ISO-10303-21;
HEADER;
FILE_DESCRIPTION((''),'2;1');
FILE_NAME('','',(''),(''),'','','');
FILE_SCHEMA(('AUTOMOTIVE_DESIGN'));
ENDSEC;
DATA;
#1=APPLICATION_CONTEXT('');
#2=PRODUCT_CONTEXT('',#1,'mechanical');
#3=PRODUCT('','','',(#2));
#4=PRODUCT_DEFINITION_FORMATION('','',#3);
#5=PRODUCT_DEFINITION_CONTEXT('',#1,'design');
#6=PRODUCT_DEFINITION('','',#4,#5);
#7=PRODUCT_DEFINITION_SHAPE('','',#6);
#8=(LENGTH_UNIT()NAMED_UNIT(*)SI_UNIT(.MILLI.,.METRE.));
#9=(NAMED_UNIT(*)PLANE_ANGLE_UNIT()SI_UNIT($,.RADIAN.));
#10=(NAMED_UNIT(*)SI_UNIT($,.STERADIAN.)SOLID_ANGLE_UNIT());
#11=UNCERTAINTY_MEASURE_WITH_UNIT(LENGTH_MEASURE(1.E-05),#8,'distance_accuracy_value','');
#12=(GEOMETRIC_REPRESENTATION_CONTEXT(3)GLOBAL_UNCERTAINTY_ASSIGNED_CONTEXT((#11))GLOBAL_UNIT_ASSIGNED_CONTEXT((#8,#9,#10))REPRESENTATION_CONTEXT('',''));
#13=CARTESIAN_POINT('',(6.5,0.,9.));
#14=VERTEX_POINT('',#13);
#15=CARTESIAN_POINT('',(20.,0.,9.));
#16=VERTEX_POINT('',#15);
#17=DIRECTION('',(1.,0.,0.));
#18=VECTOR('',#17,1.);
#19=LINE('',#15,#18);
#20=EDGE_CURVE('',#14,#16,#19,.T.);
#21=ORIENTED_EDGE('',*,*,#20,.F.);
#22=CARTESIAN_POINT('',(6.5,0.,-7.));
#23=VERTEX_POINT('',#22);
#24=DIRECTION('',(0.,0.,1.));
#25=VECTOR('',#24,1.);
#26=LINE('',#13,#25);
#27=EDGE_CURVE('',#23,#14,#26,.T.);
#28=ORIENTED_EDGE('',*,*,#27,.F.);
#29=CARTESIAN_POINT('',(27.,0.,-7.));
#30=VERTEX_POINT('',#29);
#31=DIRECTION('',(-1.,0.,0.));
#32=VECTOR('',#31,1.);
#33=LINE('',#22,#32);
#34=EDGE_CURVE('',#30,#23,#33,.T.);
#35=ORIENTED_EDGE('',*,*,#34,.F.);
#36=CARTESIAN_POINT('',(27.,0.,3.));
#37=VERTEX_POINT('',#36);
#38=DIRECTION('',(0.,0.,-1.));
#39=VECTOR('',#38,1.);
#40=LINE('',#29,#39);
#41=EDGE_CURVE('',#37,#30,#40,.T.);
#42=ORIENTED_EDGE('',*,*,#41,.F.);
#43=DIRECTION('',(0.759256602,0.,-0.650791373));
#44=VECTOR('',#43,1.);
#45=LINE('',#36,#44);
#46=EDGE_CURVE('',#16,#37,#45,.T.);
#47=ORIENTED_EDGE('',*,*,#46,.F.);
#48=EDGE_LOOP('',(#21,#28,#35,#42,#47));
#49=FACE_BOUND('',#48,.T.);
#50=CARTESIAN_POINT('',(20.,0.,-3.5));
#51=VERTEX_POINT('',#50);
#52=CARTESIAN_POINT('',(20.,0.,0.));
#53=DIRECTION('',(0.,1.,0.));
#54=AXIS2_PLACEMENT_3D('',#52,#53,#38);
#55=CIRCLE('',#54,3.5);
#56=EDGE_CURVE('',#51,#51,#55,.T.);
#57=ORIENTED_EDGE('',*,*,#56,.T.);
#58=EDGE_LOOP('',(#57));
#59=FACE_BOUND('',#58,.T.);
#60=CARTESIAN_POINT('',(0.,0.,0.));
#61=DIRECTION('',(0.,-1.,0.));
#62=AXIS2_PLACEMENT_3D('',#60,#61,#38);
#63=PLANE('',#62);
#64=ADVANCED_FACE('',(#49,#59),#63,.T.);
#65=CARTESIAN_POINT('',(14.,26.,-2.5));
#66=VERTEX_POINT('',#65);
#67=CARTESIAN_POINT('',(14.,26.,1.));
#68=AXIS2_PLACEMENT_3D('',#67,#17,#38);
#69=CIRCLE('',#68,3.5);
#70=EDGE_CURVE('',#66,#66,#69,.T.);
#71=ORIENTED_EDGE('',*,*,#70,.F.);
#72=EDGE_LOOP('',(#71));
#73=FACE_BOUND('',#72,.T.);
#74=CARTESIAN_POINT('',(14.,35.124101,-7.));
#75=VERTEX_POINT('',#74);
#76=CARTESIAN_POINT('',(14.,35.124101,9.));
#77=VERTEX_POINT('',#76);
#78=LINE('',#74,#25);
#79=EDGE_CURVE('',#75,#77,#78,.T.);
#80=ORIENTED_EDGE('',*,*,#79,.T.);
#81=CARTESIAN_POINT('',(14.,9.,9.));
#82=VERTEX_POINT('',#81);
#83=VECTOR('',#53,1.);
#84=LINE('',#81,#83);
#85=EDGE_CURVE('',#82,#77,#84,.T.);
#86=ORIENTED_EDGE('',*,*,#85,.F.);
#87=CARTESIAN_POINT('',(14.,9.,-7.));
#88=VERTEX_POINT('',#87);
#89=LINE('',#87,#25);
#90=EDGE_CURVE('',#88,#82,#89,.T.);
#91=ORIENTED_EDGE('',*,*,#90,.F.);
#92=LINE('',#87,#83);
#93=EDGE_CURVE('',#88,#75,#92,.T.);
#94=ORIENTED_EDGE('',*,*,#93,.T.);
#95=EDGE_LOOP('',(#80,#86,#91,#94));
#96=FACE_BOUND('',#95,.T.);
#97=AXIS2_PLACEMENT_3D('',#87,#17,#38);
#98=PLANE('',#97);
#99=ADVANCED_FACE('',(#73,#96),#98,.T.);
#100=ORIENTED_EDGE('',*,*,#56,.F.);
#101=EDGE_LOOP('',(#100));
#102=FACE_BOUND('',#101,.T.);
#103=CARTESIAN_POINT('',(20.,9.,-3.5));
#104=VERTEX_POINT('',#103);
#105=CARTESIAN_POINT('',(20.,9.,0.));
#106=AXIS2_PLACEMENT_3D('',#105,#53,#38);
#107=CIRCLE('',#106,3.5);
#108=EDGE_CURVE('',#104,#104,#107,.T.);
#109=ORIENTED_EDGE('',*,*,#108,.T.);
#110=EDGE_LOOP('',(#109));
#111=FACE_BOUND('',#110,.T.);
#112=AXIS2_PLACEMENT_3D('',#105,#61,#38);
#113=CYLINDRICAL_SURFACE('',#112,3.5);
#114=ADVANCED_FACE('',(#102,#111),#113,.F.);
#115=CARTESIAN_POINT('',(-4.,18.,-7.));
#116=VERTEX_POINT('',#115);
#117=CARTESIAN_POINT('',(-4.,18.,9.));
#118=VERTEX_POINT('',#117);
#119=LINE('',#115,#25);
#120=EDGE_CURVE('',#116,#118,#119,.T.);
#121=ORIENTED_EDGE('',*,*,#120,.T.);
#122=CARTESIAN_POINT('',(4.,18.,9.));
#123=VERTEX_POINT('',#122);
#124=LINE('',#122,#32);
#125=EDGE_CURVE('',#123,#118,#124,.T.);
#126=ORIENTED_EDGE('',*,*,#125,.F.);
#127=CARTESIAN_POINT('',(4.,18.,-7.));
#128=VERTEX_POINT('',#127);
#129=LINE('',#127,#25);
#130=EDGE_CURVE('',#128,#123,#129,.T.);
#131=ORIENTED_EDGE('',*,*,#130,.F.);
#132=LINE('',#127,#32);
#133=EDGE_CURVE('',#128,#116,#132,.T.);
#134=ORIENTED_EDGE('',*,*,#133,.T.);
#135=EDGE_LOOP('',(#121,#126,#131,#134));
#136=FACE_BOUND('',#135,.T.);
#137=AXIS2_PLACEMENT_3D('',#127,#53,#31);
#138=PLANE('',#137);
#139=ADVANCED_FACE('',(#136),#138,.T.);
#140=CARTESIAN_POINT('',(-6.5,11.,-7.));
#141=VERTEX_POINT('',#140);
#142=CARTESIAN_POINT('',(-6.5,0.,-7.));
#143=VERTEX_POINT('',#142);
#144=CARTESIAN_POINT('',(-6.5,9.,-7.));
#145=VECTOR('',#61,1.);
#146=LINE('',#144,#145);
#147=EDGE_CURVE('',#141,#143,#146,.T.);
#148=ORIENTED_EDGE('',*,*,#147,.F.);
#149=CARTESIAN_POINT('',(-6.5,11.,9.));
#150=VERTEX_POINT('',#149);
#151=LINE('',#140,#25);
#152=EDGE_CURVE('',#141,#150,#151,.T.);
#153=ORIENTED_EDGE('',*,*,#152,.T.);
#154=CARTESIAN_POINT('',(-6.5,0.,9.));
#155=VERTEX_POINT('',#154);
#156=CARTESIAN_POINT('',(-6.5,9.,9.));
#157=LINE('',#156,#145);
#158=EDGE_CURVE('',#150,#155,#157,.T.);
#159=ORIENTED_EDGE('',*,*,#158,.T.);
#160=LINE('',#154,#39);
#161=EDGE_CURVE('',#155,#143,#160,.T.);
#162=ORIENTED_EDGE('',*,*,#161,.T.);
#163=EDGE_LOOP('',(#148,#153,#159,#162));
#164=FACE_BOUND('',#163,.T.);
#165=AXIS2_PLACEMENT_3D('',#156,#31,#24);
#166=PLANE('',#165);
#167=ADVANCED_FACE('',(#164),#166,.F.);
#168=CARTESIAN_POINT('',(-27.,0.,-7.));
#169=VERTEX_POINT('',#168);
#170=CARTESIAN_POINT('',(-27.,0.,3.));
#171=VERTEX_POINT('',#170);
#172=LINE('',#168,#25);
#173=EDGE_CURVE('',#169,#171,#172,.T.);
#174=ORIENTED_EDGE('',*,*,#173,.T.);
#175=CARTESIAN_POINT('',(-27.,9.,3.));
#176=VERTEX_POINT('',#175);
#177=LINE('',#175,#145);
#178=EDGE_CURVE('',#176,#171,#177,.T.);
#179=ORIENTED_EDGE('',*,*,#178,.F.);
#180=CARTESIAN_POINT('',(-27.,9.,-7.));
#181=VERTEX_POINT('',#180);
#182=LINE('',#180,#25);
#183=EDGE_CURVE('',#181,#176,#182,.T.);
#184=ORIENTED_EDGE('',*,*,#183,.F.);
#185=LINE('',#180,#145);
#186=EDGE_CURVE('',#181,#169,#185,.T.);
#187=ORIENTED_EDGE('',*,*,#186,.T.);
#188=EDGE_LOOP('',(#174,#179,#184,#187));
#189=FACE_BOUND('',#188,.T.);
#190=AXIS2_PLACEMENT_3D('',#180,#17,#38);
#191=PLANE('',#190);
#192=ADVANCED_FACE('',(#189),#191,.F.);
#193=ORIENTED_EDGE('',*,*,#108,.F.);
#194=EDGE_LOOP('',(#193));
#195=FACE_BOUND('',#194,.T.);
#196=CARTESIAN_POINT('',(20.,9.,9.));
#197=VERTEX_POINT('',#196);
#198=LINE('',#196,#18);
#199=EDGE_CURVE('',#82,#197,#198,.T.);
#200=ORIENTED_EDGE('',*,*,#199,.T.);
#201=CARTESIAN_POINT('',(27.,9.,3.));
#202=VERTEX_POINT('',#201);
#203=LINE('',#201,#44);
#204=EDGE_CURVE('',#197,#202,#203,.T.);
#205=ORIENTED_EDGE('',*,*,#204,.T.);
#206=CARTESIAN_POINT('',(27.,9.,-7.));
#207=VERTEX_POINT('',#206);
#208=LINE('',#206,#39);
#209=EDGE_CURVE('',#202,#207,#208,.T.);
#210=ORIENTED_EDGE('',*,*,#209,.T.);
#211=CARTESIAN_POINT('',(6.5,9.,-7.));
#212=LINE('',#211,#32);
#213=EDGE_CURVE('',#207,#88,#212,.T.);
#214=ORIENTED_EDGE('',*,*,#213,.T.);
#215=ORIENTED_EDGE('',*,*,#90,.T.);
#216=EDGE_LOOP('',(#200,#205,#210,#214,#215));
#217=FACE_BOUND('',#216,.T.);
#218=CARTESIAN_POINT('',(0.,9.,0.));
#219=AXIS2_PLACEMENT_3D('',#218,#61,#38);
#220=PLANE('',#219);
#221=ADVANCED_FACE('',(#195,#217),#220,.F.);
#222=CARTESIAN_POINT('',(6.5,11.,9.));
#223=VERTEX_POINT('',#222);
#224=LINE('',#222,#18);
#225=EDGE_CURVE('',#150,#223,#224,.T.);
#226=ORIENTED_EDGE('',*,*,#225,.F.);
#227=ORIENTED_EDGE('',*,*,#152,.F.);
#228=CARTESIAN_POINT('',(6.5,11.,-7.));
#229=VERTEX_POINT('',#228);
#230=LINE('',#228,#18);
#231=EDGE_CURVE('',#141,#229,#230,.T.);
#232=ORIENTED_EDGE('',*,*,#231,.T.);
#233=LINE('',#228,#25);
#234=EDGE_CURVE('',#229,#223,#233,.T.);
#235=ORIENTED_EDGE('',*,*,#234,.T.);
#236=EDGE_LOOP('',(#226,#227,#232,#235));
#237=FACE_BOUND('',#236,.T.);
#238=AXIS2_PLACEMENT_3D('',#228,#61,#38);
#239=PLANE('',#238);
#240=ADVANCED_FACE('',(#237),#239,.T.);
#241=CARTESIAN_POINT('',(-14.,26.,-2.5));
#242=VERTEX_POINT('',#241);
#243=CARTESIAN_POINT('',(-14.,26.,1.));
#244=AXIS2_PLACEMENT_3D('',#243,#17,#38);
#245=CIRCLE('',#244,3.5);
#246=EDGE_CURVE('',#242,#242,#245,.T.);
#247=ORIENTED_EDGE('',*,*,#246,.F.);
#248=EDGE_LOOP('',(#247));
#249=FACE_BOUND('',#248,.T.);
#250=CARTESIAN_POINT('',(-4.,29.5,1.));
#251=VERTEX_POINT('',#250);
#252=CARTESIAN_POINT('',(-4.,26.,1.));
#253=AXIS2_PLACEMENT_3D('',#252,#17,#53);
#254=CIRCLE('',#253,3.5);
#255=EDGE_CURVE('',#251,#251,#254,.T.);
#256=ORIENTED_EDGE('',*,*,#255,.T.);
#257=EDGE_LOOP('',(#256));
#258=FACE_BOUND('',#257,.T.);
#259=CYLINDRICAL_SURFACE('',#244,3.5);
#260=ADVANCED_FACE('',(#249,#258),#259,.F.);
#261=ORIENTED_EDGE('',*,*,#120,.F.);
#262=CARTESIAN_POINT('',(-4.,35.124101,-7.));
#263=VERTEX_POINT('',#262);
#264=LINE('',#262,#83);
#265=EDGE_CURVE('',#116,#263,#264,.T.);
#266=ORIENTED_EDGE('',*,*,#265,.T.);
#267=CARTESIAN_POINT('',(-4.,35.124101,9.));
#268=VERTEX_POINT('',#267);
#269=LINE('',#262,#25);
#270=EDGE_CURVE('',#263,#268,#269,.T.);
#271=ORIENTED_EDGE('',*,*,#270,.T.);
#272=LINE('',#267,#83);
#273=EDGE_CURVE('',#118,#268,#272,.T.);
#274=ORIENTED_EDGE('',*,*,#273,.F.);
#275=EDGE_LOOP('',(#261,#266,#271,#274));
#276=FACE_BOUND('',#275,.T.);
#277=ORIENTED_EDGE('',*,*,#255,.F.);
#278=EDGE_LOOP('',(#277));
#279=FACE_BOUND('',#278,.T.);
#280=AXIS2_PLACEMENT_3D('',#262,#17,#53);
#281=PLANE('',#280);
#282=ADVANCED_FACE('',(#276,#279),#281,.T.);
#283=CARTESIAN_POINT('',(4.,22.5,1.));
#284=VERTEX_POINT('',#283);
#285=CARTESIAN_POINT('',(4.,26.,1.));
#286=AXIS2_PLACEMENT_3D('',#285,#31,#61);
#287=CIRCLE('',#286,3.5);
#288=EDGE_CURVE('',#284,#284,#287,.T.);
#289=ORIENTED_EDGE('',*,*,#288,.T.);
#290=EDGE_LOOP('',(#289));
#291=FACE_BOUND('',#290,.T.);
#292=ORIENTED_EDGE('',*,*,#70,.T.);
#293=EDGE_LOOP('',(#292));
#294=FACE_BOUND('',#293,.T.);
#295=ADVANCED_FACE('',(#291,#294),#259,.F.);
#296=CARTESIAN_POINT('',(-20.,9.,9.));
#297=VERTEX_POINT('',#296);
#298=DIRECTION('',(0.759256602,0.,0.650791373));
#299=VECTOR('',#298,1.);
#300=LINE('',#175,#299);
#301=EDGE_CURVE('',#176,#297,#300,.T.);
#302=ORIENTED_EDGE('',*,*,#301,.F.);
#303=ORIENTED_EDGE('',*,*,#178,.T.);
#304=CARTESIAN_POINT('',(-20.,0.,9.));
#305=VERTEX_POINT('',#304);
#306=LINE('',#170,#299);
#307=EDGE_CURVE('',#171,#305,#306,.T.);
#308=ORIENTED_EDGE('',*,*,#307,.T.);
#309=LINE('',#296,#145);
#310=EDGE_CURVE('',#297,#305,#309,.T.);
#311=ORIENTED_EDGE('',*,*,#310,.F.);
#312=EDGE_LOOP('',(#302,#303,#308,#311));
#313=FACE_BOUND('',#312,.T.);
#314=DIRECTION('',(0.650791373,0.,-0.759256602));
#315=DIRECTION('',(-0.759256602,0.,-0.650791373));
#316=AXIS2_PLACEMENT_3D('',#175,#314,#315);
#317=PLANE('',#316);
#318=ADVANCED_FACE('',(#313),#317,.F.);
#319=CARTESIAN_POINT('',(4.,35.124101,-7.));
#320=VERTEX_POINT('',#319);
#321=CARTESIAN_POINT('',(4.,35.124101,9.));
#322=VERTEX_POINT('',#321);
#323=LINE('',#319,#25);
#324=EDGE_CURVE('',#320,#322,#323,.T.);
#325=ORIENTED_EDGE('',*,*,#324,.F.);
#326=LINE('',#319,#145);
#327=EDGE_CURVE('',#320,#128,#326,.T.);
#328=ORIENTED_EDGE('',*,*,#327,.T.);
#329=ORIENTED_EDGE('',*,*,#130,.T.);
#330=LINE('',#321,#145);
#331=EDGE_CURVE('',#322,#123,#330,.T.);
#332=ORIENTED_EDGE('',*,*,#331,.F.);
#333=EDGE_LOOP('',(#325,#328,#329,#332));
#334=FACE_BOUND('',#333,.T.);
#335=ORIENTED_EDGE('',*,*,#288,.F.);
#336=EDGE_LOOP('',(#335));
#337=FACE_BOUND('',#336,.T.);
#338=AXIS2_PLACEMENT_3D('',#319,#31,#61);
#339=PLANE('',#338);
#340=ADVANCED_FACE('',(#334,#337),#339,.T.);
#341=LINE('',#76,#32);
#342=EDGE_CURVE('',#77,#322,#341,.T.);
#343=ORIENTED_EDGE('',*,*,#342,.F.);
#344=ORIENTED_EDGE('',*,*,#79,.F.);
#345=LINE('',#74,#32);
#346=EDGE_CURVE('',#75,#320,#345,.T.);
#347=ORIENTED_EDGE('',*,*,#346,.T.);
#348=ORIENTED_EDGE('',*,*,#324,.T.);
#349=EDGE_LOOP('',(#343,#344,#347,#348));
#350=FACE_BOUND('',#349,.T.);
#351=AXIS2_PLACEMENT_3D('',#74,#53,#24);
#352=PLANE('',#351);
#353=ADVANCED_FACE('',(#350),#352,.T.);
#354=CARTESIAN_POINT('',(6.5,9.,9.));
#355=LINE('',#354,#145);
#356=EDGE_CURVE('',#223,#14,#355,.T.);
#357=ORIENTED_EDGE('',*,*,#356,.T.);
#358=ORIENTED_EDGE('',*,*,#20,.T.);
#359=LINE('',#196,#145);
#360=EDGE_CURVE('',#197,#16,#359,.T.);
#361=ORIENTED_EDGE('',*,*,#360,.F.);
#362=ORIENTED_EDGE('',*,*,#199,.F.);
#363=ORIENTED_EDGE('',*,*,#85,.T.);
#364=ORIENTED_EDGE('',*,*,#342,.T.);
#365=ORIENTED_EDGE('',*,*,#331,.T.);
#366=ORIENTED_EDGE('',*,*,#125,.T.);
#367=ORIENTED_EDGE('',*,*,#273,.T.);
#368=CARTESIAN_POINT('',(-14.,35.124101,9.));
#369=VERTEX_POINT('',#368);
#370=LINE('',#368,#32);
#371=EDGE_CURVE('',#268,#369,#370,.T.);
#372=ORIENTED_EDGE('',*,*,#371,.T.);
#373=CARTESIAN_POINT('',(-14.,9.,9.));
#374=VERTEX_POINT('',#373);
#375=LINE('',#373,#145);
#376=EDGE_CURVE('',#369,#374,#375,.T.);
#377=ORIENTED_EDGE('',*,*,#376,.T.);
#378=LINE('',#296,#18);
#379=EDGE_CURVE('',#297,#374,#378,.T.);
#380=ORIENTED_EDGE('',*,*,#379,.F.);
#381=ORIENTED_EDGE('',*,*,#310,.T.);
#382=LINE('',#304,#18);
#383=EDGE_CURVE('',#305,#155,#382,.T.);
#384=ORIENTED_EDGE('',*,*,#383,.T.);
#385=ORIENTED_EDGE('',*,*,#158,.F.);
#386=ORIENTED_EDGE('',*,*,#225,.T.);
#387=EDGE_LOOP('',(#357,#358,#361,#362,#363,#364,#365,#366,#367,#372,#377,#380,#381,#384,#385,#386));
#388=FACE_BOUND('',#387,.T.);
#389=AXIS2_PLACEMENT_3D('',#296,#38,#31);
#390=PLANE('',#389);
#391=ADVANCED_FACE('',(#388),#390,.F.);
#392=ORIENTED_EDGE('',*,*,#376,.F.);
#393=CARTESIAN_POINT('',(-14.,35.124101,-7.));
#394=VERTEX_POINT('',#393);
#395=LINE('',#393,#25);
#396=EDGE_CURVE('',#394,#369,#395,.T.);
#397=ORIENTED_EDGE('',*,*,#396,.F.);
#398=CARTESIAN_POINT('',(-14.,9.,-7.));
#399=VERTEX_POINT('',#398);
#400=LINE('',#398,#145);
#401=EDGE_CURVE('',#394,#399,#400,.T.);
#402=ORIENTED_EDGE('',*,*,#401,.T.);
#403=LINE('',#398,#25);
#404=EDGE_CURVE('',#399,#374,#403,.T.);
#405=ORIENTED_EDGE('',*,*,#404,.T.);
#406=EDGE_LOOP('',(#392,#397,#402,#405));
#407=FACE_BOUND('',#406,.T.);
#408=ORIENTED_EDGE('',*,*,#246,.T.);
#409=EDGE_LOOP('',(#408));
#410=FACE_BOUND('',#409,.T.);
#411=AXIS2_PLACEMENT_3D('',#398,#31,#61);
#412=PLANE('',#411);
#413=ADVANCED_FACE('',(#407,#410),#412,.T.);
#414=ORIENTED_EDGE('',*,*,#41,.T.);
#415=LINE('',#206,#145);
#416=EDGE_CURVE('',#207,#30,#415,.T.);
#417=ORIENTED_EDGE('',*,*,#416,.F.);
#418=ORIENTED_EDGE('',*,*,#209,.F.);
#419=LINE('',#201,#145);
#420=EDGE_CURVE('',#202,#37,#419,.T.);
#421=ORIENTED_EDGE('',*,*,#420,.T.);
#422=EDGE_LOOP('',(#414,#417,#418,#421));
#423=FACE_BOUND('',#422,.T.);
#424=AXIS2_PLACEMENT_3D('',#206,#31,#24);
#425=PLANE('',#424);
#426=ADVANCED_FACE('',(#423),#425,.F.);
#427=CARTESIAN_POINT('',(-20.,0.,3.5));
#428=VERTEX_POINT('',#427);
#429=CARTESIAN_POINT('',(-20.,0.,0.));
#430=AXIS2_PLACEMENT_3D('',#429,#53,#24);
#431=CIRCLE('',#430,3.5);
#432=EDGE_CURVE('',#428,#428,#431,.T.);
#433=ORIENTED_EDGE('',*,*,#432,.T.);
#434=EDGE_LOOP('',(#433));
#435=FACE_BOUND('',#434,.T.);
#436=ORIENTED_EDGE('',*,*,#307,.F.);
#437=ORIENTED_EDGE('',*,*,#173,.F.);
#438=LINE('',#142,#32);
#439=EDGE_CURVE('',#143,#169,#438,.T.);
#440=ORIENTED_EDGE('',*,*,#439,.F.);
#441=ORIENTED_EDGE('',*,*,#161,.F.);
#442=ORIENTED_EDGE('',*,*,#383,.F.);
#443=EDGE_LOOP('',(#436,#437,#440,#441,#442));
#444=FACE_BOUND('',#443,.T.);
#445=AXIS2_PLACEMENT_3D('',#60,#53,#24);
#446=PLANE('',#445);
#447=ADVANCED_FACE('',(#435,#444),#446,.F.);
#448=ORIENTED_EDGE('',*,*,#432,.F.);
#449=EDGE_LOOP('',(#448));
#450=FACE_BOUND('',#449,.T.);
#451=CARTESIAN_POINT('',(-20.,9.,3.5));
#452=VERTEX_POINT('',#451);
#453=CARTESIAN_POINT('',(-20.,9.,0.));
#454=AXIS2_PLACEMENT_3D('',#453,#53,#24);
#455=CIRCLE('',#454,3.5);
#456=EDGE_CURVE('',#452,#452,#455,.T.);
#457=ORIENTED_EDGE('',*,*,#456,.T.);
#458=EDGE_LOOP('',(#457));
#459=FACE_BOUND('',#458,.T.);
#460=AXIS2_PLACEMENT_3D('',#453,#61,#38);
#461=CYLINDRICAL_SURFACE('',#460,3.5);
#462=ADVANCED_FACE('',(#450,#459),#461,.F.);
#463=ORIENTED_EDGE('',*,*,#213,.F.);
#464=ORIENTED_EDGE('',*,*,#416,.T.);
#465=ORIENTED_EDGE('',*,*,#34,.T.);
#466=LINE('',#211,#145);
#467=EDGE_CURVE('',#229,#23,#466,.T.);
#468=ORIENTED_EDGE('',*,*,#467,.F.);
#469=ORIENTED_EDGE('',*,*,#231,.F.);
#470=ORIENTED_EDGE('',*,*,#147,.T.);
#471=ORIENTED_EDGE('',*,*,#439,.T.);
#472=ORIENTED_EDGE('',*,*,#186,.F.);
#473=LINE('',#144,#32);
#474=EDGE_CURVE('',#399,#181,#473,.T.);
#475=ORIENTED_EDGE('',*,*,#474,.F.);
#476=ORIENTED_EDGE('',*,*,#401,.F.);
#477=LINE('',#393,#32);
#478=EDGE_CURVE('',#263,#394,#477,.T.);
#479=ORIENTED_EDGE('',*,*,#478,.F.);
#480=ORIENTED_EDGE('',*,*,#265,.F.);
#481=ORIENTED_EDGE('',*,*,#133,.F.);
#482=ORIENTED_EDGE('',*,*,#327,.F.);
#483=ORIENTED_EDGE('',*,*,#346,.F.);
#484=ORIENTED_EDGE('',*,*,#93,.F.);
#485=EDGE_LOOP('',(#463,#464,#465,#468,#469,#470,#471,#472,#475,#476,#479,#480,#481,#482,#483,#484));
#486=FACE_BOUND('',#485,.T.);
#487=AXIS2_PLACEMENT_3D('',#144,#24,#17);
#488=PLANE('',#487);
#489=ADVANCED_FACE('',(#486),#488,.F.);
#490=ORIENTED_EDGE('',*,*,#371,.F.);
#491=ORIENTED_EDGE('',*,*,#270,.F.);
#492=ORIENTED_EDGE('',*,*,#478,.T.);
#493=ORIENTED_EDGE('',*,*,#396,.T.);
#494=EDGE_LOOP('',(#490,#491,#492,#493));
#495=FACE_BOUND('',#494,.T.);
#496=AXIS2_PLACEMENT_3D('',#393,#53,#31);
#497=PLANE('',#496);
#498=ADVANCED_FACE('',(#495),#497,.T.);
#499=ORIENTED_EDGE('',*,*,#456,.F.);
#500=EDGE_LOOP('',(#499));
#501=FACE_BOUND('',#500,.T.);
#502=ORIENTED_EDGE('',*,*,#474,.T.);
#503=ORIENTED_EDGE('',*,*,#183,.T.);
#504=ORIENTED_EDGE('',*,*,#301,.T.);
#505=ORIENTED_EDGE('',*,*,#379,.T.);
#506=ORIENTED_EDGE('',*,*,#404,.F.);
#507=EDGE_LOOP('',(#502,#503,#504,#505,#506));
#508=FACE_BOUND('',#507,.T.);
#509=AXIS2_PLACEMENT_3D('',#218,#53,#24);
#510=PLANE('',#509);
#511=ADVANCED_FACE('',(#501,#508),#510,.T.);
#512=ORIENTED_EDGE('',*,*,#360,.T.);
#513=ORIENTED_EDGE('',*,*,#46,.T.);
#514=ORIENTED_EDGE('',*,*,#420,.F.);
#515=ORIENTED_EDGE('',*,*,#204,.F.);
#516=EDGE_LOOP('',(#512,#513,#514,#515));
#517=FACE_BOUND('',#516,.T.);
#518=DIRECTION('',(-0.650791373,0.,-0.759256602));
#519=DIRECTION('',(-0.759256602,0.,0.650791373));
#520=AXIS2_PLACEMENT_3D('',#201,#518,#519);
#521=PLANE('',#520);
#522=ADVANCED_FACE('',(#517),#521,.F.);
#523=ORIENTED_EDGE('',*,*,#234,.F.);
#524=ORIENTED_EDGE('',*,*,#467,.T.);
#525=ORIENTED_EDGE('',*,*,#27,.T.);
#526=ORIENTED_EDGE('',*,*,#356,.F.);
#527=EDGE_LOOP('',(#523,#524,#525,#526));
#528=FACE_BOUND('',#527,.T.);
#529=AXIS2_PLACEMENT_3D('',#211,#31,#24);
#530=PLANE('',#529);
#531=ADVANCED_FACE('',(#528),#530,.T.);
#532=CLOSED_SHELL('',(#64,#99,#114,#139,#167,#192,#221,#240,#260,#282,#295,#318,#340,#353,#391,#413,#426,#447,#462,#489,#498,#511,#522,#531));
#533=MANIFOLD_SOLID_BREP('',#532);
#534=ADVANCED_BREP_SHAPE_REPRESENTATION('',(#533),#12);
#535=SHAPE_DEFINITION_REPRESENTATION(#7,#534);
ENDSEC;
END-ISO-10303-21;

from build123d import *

# Parameters (mm, degrees)
CROQUIS2_R                = 3.5
SALIENTE_EXTRUIR1_DEPTH   = 9
SALIENTE_EXTRUIR1_2_DEPTH = 9
SALIENTE_EXTRUIR2_DEPTH   = 16
CROQUIS4_R                = 3.5
CORTAR_EXTRUIR1_DEPTH     = 28


with BuildPart() as part:
    # Croquis2 → Saliente-Extruir1 (new body)
    with BuildSketch(Plane(origin=(0, 0, 0), x_dir=(1, 0, 0), z_dir=(0, 1, 0))):
        Polygon((-27, 7), (-27, -3), (-20, -9), (-6.5, -9), (-6.5, 7), align=None)
        with Locations(Location((-20, 0, 0), (0, 0, 270))):
            Circle(CROQUIS2_R, mode=Mode.SUBTRACT)
    extrude(amount=SALIENTE_EXTRUIR1_DEPTH)



with BuildPart() as body_2:
    # Croquis2 → Saliente-Extruir1 2 (new body)
    with BuildSketch(Plane(origin=(0, 0, 0), x_dir=(1, 0, 0), z_dir=(0, 1, 0))):
        Polygon((6.5, 7), (27, 7), (27, -3), (20, -9), (6.5, -9), align=None)
        with Locations(Location((20, 0, 0), (0, 0, 90))):
            Circle(CROQUIS2_R, mode=Mode.SUBTRACT)
    extrude(amount=SALIENTE_EXTRUIR1_2_DEPTH)


with BuildPart() as part_1:
    add(part.part)

    add(body_2.part)  # Saliente-Extruir2 merges body 2
    # Croquis3 → Saliente-Extruir2 (add)
    with BuildSketch(Plane.XY.offset(9)):
        Polygon((6.5, 9), (6.5, 11), (-6.5, 11), (-6.5, 9), (-14, 9), (-14, 35.124101005), (-4, 35.124101005), (-4, 18), (4, 18), (4, 35.124101005), (14, 35.124101005), (14, 9), align=None)
    extrude(amount=-SALIENTE_EXTRUIR2_DEPTH)

    # Croquis4 → Cortar-Extruir1 (cut)
    with BuildSketch(Plane(origin=(14, 0, 0), x_dir=(0, 0, -1), z_dir=(1, 0, 0))):
        with Locations((-1, 26)):
            Circle(CROQUIS4_R)
    extrude(amount=-CORTAR_EXTRUIR1_DEPTH, mode=Mode.SUBTRACT)


solid = part_1.part
